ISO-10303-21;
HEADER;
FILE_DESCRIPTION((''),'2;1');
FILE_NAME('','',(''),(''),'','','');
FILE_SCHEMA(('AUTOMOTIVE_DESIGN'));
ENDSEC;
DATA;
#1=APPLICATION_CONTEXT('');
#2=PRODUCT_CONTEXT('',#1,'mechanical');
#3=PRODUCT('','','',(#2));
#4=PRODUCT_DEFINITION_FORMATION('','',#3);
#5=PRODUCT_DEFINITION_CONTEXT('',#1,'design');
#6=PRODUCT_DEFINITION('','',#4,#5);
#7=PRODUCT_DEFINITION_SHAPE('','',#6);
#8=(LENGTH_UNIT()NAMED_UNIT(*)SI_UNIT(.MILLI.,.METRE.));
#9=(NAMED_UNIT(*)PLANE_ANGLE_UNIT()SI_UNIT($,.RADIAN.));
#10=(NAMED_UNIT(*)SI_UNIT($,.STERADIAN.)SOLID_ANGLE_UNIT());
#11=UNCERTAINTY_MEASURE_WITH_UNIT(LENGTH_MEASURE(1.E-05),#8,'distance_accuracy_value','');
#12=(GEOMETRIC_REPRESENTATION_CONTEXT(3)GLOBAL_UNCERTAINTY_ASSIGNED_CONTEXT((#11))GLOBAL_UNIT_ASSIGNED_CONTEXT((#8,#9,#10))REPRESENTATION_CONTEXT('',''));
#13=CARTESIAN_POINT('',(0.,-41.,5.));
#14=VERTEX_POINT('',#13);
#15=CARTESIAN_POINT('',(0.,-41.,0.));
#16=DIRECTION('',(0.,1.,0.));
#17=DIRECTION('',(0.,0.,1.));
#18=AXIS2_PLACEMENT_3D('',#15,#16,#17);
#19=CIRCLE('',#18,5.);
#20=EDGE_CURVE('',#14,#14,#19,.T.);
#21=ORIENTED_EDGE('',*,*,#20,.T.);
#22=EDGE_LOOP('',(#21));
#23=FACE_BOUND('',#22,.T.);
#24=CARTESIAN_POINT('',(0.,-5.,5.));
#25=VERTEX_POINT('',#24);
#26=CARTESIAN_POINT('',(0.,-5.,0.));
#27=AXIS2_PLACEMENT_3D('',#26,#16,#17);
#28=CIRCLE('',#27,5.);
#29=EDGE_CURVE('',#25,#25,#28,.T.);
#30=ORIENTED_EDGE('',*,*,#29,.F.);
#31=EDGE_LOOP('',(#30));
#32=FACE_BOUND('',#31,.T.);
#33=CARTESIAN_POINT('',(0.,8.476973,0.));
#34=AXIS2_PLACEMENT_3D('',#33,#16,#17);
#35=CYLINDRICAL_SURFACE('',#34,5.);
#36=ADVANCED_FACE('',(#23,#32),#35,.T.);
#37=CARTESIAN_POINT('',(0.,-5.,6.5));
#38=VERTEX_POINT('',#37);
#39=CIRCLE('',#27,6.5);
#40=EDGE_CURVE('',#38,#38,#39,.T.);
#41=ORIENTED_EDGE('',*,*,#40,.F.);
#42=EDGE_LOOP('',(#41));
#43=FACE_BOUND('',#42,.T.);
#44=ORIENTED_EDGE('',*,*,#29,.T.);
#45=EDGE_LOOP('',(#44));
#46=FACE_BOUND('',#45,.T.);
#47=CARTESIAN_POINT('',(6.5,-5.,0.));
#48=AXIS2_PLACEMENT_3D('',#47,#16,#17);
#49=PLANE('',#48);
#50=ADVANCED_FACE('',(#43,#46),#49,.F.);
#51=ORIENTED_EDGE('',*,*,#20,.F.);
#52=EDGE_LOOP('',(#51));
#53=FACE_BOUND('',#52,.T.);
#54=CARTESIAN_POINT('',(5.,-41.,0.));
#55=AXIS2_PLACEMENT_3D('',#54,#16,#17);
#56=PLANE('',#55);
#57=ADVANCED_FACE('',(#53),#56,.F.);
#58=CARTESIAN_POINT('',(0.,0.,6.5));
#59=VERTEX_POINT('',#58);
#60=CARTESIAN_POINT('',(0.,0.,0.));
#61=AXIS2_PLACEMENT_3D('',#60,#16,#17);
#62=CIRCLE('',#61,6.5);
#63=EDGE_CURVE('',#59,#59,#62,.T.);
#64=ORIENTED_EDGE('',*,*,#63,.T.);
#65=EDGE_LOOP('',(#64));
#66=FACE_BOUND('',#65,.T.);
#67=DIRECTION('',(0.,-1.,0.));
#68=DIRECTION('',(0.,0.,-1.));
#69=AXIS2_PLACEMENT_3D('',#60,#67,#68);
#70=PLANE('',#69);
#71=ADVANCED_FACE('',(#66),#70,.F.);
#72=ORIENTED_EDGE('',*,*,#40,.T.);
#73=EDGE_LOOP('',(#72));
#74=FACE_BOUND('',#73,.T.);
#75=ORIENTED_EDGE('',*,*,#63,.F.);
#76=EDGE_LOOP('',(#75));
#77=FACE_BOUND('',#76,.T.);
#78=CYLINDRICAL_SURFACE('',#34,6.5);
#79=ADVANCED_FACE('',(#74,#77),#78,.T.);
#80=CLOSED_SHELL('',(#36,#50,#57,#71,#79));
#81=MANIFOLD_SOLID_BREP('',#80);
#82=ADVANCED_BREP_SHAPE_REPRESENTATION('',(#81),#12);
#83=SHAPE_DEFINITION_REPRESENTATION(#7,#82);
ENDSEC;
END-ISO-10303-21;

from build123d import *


with BuildPart() as part:
    # Sketch1 → Revolve1 (revolve)
    with BuildSketch(Plane.XY, mode=Mode.PRIVATE) as revolve1_sk:
        Polygon((0, 0), (6.5, 0), (6.5, -5), (5, -5), (5, -41), (0, -41), align=None)
    revolve(revolve1_sk.sketch.rotate(Axis((0, 8.476973089, 0), (0, -1, 0)), 90), axis=Axis((0, 8.476973089, 0), (0, -1, 0)))


solid = part.part
